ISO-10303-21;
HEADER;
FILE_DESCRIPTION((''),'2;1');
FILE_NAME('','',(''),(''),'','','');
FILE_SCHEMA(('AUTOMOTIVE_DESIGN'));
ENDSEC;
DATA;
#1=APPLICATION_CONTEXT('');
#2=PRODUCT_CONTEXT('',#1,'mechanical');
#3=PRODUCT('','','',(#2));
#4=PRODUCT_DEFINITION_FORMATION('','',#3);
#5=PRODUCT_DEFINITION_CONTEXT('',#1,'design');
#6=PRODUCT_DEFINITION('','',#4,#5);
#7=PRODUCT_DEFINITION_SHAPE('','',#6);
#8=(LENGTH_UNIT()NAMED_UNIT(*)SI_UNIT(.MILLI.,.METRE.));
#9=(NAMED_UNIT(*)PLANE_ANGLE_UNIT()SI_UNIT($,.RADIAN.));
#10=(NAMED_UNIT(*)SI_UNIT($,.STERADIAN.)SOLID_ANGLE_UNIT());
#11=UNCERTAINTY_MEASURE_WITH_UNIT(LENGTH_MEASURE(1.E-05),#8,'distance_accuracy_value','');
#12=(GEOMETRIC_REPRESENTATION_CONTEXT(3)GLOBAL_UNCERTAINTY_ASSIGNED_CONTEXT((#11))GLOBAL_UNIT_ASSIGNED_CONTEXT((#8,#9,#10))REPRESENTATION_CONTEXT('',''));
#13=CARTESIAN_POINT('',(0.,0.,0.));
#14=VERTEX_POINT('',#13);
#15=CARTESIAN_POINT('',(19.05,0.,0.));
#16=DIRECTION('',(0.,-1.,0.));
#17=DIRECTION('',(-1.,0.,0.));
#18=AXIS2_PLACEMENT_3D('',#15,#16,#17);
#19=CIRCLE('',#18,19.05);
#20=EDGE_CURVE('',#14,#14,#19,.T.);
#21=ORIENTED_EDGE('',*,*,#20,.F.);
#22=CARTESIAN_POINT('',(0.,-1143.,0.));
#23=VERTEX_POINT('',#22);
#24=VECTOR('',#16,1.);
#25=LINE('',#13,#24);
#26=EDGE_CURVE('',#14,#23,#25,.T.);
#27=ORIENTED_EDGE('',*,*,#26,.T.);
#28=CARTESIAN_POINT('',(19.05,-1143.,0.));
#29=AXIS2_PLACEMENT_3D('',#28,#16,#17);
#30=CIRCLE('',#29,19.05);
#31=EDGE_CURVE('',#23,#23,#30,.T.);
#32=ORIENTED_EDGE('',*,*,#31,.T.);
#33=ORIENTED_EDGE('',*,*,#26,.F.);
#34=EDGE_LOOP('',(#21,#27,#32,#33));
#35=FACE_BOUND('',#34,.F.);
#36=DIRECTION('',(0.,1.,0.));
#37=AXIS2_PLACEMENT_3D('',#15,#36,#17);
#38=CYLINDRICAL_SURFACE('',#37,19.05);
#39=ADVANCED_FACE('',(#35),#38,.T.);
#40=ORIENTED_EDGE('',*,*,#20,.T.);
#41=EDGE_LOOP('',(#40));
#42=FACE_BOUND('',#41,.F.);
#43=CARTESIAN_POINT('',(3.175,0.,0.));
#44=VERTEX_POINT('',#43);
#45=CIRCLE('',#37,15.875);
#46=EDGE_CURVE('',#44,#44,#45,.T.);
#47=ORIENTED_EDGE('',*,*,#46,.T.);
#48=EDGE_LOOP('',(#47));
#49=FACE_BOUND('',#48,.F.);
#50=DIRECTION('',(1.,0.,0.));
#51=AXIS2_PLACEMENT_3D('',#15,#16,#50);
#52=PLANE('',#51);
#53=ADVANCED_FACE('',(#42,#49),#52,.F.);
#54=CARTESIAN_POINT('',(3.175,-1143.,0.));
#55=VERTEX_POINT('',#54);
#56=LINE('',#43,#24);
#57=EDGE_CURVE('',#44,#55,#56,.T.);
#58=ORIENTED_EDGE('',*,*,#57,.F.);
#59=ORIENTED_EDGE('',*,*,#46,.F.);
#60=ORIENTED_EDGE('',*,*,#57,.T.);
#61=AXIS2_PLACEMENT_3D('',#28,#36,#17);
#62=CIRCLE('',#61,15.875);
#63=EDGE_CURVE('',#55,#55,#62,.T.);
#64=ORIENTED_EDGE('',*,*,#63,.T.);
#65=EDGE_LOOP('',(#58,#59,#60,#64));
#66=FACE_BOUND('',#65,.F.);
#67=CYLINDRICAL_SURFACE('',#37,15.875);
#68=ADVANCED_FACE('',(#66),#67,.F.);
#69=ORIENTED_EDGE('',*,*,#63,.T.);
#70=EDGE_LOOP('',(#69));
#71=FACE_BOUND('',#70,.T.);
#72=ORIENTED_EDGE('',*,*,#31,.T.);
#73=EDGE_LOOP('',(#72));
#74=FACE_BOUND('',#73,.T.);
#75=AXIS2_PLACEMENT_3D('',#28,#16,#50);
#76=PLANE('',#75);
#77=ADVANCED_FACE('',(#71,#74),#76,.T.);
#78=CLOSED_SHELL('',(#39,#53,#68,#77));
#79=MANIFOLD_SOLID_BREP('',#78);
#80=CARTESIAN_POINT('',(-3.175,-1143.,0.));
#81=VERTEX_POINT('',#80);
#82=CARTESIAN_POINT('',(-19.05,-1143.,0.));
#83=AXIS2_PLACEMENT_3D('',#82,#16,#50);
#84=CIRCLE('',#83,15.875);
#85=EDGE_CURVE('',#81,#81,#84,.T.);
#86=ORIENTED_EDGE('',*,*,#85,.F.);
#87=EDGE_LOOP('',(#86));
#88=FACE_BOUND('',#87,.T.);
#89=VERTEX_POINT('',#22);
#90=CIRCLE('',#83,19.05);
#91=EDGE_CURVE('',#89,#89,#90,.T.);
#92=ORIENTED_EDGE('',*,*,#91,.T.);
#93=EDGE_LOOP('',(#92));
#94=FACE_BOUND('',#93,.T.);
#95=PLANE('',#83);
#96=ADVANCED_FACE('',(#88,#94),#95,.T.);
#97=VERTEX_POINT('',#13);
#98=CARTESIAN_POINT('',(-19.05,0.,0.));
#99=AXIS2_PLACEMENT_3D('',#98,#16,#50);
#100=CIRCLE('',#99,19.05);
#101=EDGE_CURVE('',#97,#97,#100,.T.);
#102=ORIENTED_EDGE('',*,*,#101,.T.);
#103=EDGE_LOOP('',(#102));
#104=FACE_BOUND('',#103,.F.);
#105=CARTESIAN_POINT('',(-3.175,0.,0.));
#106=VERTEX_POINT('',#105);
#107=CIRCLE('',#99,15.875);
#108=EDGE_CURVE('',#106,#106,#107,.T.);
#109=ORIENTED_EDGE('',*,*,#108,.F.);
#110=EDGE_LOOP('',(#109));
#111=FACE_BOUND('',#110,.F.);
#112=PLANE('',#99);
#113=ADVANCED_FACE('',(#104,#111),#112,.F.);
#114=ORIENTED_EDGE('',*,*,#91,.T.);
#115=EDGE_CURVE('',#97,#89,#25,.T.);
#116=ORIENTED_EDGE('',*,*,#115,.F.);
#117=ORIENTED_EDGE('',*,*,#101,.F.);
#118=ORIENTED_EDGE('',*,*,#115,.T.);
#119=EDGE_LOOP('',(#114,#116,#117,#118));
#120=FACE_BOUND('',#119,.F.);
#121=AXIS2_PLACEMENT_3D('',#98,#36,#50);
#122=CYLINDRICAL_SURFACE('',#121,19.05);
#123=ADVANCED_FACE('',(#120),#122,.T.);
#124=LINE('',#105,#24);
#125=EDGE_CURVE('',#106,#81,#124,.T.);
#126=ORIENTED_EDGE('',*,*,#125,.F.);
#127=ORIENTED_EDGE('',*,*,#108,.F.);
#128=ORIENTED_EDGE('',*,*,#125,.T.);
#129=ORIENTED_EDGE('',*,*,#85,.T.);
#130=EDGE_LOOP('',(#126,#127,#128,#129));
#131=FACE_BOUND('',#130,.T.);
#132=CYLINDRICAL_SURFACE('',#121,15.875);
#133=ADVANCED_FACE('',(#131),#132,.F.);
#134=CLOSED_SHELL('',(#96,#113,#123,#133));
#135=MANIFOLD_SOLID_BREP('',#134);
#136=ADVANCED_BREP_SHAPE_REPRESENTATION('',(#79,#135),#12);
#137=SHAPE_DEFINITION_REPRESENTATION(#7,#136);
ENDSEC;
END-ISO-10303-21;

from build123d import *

# Parameters (mm, degrees)
F0_R     = 19.05
F0_R_2   = 15.875
F1_DEPTH = 1143


with BuildPart() as f1:
    # F0 (on Front) → F1 (new body)
    with BuildSketch(Plane.XZ):
        with BuildLine():
            ThreePointArc((34.925, 0), (19.05, 15.875), (3.175, 0))
            ThreePointArc((3.175, 0), (19.05, -15.875), (34.925, 0))
        make_face()
        with BuildLine():
            ThreePointArc((38.1, 0), (19.05, 19.05), (0, 0))
            ThreePointArc((0, 0), (19.05, -19.05), (38.1, 0))
        make_face()
        with BuildLine():
            ThreePointArc((34.925, 0), (19.05, -15.875), (3.175, 0))
            ThreePointArc((3.175, 0), (19.05, 15.875), (34.925, 0))
        make_face(mode=Mode.SUBTRACT)
        with Locations((-19.05, 0)):
            Circle(F0_R)
        with Locations((-19.05, 0)):
            Circle(F0_R_2, mode=Mode.SUBTRACT)
    extrude(amount=F1_DEPTH)


solid = f1.part
